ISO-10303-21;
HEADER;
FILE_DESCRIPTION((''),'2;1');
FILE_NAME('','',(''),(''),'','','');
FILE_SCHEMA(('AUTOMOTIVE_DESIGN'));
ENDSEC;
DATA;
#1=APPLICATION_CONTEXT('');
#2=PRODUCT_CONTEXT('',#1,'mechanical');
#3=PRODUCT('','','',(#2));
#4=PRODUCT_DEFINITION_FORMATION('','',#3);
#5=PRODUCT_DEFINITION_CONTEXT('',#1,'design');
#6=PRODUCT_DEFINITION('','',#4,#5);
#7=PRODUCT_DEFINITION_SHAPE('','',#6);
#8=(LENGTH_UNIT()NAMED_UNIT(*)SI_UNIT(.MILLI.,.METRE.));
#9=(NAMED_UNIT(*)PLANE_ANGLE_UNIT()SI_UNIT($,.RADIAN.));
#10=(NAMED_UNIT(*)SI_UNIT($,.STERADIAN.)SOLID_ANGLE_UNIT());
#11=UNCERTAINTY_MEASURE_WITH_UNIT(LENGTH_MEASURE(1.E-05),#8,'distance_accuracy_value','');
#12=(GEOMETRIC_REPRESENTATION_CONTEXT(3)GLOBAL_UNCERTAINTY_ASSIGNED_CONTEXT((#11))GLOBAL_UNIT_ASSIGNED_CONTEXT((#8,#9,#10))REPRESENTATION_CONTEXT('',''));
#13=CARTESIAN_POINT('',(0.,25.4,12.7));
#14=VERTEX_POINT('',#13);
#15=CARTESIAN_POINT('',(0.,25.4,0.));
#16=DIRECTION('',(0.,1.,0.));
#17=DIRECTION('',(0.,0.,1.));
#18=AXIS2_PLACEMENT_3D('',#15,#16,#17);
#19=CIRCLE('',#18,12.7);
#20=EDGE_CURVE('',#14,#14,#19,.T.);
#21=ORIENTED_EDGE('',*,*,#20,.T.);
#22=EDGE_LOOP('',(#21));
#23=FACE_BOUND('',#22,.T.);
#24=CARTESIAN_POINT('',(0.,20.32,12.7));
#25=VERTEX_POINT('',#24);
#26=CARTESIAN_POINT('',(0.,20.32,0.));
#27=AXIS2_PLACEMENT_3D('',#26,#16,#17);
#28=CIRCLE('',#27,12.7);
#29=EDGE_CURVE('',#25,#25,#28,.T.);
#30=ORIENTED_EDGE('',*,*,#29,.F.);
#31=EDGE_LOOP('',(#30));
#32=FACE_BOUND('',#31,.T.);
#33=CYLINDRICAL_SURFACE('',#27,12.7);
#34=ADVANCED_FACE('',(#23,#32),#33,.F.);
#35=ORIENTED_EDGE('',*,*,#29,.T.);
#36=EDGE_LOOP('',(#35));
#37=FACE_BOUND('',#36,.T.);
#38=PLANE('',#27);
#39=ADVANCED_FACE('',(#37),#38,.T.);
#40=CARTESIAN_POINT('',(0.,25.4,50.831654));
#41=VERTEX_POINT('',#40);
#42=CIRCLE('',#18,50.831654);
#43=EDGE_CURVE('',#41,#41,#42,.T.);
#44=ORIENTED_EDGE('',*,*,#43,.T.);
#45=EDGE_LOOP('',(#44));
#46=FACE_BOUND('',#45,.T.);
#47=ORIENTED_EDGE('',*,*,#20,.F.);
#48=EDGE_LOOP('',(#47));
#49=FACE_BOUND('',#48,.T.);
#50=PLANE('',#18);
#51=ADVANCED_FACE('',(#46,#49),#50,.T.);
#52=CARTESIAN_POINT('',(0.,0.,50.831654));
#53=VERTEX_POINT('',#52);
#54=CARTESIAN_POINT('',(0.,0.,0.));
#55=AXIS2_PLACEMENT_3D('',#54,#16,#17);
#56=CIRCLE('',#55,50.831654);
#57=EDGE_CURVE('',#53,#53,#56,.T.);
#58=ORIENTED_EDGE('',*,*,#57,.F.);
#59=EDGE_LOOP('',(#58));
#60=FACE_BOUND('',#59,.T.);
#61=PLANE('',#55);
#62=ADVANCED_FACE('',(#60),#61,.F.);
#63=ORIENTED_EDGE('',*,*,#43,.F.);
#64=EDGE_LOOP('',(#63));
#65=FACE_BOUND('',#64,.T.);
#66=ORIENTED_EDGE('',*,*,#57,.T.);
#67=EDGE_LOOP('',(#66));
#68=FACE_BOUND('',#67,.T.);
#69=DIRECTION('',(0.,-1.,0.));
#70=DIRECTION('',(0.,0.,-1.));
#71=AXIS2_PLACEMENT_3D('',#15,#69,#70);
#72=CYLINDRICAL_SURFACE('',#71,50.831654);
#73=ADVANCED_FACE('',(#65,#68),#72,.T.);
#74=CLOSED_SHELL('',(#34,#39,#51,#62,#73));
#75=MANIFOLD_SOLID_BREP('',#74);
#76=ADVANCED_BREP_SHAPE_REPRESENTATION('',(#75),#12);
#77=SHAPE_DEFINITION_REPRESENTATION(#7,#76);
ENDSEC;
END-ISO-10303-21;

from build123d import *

# Parameters (mm, degrees)
SKETCH1_R           = 50.831653502
BOSS_EXTRUDE1_DEPTH = 25.4
SKETCH2_R           = 12.7
CUT_EXTRUDE1_DEPTH  = 5.08


with BuildPart() as part:
    # Sketch1 → Boss-Extrude1 (new body)
    with BuildSketch(Plane(origin=(0, 0, 0), x_dir=(1, 0, 0), z_dir=(0, 1, 0))):
        Circle(SKETCH1_R)
    extrude(amount=BOSS_EXTRUDE1_DEPTH)

    # Sketch2 → Cut-Extrude1 (cut)
    with BuildSketch(Plane(origin=(0, 25.4, 0), x_dir=(1, 0, 0), z_dir=(0, 1, 0))):
        Circle(SKETCH2_R)
    extrude(amount=-CUT_EXTRUDE1_DEPTH, mode=Mode.SUBTRACT)


solid = part.part
